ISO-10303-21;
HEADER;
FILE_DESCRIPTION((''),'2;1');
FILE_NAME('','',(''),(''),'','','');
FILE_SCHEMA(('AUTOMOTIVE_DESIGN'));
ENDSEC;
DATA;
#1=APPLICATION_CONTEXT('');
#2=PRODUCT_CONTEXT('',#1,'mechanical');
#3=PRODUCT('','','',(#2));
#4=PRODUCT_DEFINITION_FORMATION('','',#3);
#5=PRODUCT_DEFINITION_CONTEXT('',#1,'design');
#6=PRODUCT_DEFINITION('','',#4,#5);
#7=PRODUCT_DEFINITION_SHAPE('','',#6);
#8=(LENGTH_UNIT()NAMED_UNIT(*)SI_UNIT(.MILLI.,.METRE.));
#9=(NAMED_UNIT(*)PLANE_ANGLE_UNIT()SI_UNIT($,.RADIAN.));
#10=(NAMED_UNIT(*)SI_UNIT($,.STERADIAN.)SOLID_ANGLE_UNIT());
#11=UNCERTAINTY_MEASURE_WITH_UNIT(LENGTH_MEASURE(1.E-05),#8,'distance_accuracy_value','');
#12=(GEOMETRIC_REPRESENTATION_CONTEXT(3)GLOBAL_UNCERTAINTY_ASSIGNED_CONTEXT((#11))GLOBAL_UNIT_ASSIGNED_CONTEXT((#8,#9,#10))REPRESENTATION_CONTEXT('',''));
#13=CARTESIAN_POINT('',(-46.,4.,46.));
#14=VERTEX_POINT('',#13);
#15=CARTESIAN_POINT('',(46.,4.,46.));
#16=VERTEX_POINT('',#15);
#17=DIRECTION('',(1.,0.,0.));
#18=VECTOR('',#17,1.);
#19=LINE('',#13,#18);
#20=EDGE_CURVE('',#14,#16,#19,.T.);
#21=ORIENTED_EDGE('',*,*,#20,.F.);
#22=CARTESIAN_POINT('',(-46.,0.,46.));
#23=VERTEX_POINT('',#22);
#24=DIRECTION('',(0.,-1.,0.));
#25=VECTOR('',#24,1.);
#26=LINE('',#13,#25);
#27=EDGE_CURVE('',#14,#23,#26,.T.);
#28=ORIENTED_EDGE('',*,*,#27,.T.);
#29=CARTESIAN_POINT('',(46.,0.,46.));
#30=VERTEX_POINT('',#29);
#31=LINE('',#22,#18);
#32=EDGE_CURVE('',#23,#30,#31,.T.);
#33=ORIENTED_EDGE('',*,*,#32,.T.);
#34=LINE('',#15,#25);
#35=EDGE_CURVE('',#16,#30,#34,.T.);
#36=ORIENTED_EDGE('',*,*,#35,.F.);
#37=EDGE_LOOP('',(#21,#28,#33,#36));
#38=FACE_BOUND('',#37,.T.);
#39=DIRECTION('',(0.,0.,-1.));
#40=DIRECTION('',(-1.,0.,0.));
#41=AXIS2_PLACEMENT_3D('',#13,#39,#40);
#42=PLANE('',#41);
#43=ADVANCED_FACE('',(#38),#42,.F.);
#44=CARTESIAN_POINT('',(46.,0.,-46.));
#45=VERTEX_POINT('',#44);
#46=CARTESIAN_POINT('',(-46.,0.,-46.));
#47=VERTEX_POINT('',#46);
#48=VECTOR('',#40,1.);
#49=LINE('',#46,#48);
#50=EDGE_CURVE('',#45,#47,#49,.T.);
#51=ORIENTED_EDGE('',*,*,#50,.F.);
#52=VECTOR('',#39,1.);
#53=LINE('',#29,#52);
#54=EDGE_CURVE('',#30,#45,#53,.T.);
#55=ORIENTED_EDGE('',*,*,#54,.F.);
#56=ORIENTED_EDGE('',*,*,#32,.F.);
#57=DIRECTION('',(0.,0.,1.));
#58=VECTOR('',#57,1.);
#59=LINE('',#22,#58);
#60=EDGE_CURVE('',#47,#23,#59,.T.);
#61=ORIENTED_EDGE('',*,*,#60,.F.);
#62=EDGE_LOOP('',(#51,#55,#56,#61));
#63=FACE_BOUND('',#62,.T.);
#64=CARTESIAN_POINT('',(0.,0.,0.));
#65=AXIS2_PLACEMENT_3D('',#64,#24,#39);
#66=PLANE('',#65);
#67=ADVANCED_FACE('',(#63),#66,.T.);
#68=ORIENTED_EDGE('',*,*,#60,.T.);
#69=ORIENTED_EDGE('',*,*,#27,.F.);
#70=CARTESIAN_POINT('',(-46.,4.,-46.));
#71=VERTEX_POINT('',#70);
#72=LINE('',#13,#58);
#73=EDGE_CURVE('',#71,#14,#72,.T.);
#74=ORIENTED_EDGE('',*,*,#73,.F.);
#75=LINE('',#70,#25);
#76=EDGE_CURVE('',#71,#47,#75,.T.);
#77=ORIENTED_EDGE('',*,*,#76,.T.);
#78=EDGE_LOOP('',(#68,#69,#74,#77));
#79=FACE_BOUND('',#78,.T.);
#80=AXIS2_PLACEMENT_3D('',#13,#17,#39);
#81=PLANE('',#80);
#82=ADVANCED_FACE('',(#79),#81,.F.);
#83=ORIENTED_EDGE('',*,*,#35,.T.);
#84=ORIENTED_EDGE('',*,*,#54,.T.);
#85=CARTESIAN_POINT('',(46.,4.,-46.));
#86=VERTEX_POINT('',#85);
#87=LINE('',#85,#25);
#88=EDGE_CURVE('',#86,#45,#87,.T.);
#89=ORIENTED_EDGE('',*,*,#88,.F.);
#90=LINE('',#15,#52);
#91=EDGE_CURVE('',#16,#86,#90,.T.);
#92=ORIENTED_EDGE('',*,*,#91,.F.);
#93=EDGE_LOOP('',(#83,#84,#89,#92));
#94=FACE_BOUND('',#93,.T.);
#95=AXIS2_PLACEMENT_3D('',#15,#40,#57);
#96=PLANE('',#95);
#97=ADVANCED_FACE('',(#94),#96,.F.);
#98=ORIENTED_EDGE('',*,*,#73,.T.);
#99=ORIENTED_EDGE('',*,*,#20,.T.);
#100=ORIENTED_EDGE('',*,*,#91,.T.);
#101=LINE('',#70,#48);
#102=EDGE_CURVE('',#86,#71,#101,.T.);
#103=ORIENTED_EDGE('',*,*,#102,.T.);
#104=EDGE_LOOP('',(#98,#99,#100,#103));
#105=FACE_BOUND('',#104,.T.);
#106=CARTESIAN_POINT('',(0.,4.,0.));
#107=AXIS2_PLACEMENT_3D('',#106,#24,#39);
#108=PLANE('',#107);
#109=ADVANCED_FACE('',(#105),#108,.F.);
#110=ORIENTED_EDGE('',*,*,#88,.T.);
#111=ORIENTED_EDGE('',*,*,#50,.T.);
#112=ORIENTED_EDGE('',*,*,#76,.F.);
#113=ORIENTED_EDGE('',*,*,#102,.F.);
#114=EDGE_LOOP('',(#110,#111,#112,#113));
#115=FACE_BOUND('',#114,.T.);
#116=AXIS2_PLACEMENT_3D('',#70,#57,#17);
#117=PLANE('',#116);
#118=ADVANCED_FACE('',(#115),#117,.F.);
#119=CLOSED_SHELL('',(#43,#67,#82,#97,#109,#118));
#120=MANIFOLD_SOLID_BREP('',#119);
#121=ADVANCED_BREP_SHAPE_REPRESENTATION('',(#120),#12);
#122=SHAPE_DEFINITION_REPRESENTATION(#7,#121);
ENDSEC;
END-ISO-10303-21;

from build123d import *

# Parameters (mm, degrees)
SKETCH1_W           = 92
SKETCH1_H           = 92
BOSS_EXTRUDE1_DEPTH = 4


with BuildPart() as part:
    # Sketch1 → Boss-Extrude1 (new body)
    with BuildSketch(Plane(origin=(0, 0, 0), x_dir=(1, 0, 0), z_dir=(0, 1, 0))):
        Rectangle(SKETCH1_W, SKETCH1_H)
    extrude(amount=BOSS_EXTRUDE1_DEPTH)


solid = part.part
